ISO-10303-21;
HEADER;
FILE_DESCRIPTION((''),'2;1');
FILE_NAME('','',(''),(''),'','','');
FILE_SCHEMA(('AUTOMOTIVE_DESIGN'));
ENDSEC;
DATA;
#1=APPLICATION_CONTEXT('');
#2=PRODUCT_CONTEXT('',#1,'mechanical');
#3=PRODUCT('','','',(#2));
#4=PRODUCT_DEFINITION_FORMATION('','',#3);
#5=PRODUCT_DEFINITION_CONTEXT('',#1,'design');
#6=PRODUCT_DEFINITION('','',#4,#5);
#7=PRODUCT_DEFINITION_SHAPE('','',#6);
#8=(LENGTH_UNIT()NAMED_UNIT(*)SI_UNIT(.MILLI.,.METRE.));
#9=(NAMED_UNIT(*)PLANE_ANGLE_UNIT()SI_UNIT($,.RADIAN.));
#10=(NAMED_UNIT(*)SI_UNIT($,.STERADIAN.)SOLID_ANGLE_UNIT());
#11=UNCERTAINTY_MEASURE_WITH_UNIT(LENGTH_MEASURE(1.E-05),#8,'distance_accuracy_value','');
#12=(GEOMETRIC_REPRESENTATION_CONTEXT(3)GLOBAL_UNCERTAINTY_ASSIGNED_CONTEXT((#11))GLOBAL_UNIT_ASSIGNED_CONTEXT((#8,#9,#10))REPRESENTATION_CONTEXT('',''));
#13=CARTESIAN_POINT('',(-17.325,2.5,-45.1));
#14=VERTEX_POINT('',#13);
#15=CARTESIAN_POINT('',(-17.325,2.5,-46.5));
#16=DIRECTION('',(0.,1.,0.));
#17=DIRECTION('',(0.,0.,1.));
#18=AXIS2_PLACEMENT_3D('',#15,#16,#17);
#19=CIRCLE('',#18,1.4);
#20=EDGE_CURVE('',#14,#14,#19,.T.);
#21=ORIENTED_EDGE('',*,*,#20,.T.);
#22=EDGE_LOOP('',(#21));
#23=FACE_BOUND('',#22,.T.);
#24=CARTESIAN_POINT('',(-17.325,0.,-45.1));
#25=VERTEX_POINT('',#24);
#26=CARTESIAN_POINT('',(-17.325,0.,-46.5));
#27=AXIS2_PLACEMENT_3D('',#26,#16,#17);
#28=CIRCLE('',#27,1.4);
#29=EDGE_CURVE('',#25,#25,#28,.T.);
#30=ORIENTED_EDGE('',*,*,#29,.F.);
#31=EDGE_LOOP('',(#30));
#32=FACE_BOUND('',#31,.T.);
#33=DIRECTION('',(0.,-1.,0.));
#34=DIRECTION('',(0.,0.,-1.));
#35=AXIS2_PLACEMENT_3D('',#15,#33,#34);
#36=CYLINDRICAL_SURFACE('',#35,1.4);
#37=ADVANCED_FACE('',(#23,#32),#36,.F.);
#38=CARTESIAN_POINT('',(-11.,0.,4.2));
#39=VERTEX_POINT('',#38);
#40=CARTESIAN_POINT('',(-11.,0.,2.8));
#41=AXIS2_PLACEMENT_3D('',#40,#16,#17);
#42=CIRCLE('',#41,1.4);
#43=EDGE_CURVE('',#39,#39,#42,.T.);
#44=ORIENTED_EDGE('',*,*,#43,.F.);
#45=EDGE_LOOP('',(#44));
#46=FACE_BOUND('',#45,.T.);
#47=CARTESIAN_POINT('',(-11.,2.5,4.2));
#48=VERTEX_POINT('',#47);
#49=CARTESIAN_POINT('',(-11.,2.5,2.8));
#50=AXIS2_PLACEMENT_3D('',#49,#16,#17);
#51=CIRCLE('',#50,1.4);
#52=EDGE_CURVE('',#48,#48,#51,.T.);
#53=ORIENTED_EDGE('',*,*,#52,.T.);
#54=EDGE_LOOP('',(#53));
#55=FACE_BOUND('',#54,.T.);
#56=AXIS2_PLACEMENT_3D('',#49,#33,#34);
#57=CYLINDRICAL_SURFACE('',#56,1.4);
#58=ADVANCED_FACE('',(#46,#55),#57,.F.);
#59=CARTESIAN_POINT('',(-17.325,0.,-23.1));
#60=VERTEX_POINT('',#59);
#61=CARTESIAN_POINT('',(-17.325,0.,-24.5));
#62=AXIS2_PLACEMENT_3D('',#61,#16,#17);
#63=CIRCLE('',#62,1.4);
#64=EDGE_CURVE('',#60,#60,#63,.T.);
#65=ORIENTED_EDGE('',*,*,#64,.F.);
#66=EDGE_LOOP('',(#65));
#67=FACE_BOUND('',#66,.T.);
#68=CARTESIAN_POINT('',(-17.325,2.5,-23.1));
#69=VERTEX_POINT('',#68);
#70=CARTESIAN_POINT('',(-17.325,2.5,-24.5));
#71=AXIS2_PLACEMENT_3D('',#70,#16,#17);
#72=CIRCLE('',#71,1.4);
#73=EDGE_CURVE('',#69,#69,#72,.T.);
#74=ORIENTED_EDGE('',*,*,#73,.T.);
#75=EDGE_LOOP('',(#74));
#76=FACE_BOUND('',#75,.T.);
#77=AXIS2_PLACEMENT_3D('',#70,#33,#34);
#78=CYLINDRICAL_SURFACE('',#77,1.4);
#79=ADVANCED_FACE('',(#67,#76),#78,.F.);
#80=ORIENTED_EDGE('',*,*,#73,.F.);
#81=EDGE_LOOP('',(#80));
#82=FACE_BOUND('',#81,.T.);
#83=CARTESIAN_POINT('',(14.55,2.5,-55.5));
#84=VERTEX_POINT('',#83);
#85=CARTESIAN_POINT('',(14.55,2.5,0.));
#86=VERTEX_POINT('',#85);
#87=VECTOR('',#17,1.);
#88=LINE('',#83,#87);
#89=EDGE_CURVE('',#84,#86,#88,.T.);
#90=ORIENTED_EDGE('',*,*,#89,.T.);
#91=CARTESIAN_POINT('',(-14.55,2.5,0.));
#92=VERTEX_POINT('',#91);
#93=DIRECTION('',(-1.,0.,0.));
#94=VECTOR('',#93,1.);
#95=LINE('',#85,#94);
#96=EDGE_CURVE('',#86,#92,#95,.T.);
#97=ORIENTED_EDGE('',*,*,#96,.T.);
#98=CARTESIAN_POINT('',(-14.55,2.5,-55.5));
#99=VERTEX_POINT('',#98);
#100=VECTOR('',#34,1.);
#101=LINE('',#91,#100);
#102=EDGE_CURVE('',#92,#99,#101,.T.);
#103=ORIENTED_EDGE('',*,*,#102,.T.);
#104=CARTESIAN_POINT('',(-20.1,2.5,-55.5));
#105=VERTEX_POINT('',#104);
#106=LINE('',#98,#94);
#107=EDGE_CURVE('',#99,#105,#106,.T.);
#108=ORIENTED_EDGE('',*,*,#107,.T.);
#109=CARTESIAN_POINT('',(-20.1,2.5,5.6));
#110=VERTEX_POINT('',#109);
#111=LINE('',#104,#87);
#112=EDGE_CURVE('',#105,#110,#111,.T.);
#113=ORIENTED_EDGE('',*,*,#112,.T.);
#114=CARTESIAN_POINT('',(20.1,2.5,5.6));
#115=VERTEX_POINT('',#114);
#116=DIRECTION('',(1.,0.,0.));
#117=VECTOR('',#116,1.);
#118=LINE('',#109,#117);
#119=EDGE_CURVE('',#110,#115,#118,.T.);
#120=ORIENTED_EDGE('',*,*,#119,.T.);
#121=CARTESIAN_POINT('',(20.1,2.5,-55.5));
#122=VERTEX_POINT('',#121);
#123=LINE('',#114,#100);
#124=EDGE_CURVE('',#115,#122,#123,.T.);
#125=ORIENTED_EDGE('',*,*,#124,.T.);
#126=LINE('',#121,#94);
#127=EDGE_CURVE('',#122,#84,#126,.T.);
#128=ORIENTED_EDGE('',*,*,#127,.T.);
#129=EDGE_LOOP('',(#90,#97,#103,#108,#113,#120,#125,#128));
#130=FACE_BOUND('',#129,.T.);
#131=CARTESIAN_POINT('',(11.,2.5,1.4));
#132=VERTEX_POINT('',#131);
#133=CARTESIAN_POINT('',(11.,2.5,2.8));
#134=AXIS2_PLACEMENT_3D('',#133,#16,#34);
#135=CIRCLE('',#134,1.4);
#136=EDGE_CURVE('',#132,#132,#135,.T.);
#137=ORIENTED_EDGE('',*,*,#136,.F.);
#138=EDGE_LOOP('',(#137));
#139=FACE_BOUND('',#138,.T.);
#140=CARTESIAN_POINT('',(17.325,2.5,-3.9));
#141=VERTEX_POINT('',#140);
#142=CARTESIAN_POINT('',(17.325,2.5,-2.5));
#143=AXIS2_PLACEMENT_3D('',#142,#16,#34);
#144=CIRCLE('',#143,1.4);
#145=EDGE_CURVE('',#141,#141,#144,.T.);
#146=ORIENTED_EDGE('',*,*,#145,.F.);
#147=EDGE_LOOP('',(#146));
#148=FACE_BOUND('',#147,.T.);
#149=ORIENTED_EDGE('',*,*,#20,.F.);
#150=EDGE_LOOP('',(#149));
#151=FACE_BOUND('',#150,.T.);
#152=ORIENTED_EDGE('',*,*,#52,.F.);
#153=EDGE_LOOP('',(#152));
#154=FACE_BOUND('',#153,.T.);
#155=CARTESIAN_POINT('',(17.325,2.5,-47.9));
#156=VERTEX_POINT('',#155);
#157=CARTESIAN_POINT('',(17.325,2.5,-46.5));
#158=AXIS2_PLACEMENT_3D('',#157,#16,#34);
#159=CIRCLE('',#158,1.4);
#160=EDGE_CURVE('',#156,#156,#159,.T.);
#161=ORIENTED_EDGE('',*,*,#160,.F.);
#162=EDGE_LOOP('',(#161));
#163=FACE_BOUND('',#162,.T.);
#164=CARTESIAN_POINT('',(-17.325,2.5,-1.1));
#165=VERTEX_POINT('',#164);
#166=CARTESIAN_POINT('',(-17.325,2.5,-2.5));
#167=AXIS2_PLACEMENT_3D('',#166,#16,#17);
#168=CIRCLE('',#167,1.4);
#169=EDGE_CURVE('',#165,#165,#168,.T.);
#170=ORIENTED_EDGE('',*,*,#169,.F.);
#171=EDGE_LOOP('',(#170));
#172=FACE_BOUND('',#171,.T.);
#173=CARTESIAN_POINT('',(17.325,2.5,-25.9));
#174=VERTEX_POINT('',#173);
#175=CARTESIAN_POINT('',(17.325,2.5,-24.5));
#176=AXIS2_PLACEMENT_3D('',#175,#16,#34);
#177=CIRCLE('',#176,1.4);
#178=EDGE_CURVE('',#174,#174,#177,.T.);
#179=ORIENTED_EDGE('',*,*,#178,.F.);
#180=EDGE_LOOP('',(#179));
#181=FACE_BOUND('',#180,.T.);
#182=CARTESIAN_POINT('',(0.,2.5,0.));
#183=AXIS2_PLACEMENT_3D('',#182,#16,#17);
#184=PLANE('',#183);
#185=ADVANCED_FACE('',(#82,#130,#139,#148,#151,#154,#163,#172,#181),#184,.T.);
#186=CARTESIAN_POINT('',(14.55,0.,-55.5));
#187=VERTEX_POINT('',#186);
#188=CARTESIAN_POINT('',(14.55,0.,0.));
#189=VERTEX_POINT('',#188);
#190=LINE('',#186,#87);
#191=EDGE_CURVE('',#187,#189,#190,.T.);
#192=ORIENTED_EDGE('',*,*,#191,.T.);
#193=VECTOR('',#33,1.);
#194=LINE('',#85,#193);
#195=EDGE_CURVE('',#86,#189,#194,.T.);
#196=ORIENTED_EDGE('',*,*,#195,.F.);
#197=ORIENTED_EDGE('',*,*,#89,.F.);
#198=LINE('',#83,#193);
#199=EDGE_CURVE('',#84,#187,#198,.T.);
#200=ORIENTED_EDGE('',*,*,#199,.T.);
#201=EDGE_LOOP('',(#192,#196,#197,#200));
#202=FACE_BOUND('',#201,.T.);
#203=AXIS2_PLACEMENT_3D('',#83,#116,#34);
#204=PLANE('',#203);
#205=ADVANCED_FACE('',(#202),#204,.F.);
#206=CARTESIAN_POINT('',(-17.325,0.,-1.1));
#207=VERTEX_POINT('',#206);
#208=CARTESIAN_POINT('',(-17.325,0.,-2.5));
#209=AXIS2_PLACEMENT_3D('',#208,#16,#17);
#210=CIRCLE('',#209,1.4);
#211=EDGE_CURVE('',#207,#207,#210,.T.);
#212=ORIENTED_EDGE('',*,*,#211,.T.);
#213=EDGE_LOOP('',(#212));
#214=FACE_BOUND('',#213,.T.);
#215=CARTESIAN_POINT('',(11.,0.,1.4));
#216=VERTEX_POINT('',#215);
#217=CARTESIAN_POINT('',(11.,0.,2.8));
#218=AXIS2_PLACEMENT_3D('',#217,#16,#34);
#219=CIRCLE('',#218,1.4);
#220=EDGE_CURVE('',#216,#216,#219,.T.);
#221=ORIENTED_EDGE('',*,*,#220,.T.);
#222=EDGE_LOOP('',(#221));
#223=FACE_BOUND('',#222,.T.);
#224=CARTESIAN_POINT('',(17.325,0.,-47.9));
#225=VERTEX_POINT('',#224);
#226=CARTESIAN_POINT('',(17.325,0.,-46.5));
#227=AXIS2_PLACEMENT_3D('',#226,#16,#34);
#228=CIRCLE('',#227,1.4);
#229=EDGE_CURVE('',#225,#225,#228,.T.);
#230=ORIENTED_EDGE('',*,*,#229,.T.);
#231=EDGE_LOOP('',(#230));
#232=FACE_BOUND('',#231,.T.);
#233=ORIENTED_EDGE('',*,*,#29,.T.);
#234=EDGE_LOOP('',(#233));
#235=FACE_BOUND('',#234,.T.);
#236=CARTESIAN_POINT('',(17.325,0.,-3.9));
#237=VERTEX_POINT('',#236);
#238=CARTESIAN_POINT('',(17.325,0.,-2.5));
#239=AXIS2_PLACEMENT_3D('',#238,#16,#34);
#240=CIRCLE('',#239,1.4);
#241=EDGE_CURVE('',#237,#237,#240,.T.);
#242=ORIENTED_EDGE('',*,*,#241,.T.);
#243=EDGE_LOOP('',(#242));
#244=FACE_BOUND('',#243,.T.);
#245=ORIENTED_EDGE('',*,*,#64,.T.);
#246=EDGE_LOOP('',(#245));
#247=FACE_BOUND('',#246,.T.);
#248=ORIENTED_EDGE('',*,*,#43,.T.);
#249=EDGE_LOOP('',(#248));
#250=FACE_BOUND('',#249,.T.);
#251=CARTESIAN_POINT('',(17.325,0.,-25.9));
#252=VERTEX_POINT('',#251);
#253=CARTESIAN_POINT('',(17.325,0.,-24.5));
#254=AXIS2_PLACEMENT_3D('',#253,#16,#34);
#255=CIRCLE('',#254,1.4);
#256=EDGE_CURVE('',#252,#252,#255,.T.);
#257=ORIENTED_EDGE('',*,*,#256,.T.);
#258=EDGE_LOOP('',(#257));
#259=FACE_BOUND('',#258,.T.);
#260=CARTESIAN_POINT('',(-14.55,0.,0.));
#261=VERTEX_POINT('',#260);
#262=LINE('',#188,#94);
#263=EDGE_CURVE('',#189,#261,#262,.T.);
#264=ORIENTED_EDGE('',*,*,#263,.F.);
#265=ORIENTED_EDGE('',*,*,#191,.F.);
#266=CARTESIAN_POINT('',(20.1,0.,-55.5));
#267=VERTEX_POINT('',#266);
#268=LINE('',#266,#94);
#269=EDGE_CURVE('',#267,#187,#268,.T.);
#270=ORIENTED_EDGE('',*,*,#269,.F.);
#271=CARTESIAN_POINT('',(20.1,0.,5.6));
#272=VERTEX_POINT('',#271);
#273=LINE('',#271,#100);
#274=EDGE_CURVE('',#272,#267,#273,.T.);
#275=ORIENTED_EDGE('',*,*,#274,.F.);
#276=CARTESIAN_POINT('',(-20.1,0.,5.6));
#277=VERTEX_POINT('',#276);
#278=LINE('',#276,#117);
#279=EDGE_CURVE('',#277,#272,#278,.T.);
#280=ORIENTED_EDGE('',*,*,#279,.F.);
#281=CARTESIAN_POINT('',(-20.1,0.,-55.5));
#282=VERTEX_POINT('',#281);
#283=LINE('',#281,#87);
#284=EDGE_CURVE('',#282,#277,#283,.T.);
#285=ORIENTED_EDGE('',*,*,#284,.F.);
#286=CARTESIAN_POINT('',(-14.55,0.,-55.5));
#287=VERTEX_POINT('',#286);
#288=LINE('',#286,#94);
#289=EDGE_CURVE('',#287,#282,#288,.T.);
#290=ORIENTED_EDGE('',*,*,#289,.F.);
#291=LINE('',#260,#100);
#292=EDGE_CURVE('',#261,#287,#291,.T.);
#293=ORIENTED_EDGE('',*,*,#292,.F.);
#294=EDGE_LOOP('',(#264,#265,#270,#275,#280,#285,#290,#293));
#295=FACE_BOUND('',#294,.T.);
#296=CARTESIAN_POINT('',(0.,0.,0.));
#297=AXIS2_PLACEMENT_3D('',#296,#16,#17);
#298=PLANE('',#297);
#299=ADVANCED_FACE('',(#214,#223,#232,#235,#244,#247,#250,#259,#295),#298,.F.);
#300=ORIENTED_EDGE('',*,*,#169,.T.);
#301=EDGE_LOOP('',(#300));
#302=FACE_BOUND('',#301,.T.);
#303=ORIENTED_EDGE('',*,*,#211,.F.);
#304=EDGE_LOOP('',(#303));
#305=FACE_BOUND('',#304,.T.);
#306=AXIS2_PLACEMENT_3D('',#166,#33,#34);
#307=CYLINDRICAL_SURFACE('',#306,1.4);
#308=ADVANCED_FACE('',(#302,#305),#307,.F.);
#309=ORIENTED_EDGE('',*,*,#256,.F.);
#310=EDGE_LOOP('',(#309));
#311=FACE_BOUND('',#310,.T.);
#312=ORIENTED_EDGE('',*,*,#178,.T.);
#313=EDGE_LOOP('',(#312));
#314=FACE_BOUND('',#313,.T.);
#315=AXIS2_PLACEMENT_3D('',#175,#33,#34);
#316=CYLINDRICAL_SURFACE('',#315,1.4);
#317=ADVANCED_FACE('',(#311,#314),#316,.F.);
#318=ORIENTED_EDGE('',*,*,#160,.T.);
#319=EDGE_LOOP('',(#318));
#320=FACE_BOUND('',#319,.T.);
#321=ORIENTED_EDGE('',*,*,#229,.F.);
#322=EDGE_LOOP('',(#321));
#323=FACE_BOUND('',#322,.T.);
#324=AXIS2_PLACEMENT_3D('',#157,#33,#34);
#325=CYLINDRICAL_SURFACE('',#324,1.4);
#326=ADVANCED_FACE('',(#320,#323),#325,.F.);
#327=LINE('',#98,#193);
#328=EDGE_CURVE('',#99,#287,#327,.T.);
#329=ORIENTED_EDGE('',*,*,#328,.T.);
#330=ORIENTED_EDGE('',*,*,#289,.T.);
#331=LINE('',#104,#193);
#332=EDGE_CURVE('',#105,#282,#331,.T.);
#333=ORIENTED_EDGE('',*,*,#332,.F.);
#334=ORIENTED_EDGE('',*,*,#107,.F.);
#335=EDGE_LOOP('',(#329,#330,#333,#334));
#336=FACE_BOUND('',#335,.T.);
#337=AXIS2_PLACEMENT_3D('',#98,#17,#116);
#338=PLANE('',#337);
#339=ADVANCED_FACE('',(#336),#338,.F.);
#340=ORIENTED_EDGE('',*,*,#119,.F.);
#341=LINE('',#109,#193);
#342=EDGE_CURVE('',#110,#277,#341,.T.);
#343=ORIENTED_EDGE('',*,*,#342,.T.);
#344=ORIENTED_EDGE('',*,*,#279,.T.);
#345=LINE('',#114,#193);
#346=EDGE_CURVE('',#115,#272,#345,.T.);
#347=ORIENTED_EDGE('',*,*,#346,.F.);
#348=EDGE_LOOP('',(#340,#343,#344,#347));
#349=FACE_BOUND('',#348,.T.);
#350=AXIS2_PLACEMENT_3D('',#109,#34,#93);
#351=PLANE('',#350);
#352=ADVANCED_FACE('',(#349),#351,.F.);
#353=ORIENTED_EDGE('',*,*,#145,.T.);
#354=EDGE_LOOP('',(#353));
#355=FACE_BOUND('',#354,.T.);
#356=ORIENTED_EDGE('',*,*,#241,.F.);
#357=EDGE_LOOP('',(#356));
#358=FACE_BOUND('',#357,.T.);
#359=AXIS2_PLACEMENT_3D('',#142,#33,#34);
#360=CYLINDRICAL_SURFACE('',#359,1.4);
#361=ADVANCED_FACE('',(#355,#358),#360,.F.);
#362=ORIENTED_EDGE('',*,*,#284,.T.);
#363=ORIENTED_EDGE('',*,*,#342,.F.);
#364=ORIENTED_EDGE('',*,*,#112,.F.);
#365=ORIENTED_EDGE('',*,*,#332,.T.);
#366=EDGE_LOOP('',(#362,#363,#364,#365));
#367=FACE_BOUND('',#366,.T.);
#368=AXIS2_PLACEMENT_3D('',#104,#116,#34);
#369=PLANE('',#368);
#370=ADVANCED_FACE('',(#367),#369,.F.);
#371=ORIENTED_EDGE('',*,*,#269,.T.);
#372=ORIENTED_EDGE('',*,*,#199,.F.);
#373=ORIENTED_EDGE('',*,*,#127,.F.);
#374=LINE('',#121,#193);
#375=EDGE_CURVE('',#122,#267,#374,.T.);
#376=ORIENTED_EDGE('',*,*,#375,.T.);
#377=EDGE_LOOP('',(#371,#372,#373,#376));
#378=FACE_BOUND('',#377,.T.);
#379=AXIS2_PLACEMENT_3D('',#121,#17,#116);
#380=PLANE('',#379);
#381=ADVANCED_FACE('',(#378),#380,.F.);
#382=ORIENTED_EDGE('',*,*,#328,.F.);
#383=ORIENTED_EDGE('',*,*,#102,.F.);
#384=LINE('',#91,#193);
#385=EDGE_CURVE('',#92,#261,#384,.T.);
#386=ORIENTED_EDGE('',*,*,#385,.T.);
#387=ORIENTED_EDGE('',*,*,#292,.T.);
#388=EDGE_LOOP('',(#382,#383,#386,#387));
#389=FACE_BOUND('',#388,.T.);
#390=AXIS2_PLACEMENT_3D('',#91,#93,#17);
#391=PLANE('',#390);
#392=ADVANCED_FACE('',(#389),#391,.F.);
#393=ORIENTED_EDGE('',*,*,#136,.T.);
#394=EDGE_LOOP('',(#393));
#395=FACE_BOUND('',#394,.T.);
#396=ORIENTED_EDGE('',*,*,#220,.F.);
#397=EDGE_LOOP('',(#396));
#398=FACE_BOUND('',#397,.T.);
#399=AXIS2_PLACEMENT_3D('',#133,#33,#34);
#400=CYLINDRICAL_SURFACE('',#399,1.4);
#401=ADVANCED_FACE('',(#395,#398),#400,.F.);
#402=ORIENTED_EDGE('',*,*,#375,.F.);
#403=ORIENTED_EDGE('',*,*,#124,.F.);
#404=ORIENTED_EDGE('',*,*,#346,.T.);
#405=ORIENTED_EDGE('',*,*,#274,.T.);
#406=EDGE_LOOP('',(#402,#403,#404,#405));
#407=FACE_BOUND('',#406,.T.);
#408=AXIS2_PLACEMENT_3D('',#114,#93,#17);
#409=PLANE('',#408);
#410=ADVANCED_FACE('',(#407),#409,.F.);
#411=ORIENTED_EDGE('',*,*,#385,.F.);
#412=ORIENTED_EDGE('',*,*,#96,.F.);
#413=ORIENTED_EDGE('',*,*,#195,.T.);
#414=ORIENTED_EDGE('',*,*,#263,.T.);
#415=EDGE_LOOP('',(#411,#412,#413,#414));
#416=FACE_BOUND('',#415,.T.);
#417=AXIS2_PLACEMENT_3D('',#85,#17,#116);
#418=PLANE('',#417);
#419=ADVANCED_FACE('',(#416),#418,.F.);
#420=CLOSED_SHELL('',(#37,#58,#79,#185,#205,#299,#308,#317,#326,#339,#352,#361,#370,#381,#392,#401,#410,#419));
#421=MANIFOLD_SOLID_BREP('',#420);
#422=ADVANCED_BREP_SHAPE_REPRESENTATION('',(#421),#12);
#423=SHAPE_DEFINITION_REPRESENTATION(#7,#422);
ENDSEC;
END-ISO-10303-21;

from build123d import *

# Parameters (mm, degrees)
SKETCH2_R           = 1.4
BOSS_EXTRUDE1_DEPTH = 2.5


with BuildPart() as part:
    # Sketch2 → Boss-Extrude1 (new body)
    with BuildSketch(Plane(origin=(0, 0, 0), x_dir=(1, 0, 0), z_dir=(0, 1, 0))):
        Polygon((-20.1, 55.5), (-20.1, -5.6), (20.1, -5.6), (20.1, 55.5), (14.55, 55.5), (14.55, 0), (-14.55, 0), (-14.55, 55.5), align=None)
        with Locations(Location((-11, -2.8, 0), (0, 0, 270))):
            Circle(SKETCH2_R, mode=Mode.SUBTRACT)
        with Locations(Location((11, -2.8, 0), (0, 0, 90))):
            Circle(SKETCH2_R, mode=Mode.SUBTRACT)
        with Locations(Location((-17.325, 46.5, 0), (0, 0, 270))):
            Circle(SKETCH2_R, mode=Mode.SUBTRACT)
        with Locations(Location((-17.325, 24.5, 0), (0, 0, 270))):
            Circle(SKETCH2_R, mode=Mode.SUBTRACT)
        with Locations(Location((-17.325, 2.5, 0), (0, 0, 270))):
            Circle(SKETCH2_R, mode=Mode.SUBTRACT)
        with Locations(Location((17.325, 46.5, 0), (0, 0, 90))):
            Circle(SKETCH2_R, mode=Mode.SUBTRACT)
        with Locations(Location((17.325, 24.5, 0), (0, 0, 90))):
            Circle(SKETCH2_R, mode=Mode.SUBTRACT)
        with Locations(Location((17.325, 2.5, 0), (0, 0, 90))):
            Circle(SKETCH2_R, mode=Mode.SUBTRACT)
    extrude(amount=BOSS_EXTRUDE1_DEPTH)


solid = part.part
